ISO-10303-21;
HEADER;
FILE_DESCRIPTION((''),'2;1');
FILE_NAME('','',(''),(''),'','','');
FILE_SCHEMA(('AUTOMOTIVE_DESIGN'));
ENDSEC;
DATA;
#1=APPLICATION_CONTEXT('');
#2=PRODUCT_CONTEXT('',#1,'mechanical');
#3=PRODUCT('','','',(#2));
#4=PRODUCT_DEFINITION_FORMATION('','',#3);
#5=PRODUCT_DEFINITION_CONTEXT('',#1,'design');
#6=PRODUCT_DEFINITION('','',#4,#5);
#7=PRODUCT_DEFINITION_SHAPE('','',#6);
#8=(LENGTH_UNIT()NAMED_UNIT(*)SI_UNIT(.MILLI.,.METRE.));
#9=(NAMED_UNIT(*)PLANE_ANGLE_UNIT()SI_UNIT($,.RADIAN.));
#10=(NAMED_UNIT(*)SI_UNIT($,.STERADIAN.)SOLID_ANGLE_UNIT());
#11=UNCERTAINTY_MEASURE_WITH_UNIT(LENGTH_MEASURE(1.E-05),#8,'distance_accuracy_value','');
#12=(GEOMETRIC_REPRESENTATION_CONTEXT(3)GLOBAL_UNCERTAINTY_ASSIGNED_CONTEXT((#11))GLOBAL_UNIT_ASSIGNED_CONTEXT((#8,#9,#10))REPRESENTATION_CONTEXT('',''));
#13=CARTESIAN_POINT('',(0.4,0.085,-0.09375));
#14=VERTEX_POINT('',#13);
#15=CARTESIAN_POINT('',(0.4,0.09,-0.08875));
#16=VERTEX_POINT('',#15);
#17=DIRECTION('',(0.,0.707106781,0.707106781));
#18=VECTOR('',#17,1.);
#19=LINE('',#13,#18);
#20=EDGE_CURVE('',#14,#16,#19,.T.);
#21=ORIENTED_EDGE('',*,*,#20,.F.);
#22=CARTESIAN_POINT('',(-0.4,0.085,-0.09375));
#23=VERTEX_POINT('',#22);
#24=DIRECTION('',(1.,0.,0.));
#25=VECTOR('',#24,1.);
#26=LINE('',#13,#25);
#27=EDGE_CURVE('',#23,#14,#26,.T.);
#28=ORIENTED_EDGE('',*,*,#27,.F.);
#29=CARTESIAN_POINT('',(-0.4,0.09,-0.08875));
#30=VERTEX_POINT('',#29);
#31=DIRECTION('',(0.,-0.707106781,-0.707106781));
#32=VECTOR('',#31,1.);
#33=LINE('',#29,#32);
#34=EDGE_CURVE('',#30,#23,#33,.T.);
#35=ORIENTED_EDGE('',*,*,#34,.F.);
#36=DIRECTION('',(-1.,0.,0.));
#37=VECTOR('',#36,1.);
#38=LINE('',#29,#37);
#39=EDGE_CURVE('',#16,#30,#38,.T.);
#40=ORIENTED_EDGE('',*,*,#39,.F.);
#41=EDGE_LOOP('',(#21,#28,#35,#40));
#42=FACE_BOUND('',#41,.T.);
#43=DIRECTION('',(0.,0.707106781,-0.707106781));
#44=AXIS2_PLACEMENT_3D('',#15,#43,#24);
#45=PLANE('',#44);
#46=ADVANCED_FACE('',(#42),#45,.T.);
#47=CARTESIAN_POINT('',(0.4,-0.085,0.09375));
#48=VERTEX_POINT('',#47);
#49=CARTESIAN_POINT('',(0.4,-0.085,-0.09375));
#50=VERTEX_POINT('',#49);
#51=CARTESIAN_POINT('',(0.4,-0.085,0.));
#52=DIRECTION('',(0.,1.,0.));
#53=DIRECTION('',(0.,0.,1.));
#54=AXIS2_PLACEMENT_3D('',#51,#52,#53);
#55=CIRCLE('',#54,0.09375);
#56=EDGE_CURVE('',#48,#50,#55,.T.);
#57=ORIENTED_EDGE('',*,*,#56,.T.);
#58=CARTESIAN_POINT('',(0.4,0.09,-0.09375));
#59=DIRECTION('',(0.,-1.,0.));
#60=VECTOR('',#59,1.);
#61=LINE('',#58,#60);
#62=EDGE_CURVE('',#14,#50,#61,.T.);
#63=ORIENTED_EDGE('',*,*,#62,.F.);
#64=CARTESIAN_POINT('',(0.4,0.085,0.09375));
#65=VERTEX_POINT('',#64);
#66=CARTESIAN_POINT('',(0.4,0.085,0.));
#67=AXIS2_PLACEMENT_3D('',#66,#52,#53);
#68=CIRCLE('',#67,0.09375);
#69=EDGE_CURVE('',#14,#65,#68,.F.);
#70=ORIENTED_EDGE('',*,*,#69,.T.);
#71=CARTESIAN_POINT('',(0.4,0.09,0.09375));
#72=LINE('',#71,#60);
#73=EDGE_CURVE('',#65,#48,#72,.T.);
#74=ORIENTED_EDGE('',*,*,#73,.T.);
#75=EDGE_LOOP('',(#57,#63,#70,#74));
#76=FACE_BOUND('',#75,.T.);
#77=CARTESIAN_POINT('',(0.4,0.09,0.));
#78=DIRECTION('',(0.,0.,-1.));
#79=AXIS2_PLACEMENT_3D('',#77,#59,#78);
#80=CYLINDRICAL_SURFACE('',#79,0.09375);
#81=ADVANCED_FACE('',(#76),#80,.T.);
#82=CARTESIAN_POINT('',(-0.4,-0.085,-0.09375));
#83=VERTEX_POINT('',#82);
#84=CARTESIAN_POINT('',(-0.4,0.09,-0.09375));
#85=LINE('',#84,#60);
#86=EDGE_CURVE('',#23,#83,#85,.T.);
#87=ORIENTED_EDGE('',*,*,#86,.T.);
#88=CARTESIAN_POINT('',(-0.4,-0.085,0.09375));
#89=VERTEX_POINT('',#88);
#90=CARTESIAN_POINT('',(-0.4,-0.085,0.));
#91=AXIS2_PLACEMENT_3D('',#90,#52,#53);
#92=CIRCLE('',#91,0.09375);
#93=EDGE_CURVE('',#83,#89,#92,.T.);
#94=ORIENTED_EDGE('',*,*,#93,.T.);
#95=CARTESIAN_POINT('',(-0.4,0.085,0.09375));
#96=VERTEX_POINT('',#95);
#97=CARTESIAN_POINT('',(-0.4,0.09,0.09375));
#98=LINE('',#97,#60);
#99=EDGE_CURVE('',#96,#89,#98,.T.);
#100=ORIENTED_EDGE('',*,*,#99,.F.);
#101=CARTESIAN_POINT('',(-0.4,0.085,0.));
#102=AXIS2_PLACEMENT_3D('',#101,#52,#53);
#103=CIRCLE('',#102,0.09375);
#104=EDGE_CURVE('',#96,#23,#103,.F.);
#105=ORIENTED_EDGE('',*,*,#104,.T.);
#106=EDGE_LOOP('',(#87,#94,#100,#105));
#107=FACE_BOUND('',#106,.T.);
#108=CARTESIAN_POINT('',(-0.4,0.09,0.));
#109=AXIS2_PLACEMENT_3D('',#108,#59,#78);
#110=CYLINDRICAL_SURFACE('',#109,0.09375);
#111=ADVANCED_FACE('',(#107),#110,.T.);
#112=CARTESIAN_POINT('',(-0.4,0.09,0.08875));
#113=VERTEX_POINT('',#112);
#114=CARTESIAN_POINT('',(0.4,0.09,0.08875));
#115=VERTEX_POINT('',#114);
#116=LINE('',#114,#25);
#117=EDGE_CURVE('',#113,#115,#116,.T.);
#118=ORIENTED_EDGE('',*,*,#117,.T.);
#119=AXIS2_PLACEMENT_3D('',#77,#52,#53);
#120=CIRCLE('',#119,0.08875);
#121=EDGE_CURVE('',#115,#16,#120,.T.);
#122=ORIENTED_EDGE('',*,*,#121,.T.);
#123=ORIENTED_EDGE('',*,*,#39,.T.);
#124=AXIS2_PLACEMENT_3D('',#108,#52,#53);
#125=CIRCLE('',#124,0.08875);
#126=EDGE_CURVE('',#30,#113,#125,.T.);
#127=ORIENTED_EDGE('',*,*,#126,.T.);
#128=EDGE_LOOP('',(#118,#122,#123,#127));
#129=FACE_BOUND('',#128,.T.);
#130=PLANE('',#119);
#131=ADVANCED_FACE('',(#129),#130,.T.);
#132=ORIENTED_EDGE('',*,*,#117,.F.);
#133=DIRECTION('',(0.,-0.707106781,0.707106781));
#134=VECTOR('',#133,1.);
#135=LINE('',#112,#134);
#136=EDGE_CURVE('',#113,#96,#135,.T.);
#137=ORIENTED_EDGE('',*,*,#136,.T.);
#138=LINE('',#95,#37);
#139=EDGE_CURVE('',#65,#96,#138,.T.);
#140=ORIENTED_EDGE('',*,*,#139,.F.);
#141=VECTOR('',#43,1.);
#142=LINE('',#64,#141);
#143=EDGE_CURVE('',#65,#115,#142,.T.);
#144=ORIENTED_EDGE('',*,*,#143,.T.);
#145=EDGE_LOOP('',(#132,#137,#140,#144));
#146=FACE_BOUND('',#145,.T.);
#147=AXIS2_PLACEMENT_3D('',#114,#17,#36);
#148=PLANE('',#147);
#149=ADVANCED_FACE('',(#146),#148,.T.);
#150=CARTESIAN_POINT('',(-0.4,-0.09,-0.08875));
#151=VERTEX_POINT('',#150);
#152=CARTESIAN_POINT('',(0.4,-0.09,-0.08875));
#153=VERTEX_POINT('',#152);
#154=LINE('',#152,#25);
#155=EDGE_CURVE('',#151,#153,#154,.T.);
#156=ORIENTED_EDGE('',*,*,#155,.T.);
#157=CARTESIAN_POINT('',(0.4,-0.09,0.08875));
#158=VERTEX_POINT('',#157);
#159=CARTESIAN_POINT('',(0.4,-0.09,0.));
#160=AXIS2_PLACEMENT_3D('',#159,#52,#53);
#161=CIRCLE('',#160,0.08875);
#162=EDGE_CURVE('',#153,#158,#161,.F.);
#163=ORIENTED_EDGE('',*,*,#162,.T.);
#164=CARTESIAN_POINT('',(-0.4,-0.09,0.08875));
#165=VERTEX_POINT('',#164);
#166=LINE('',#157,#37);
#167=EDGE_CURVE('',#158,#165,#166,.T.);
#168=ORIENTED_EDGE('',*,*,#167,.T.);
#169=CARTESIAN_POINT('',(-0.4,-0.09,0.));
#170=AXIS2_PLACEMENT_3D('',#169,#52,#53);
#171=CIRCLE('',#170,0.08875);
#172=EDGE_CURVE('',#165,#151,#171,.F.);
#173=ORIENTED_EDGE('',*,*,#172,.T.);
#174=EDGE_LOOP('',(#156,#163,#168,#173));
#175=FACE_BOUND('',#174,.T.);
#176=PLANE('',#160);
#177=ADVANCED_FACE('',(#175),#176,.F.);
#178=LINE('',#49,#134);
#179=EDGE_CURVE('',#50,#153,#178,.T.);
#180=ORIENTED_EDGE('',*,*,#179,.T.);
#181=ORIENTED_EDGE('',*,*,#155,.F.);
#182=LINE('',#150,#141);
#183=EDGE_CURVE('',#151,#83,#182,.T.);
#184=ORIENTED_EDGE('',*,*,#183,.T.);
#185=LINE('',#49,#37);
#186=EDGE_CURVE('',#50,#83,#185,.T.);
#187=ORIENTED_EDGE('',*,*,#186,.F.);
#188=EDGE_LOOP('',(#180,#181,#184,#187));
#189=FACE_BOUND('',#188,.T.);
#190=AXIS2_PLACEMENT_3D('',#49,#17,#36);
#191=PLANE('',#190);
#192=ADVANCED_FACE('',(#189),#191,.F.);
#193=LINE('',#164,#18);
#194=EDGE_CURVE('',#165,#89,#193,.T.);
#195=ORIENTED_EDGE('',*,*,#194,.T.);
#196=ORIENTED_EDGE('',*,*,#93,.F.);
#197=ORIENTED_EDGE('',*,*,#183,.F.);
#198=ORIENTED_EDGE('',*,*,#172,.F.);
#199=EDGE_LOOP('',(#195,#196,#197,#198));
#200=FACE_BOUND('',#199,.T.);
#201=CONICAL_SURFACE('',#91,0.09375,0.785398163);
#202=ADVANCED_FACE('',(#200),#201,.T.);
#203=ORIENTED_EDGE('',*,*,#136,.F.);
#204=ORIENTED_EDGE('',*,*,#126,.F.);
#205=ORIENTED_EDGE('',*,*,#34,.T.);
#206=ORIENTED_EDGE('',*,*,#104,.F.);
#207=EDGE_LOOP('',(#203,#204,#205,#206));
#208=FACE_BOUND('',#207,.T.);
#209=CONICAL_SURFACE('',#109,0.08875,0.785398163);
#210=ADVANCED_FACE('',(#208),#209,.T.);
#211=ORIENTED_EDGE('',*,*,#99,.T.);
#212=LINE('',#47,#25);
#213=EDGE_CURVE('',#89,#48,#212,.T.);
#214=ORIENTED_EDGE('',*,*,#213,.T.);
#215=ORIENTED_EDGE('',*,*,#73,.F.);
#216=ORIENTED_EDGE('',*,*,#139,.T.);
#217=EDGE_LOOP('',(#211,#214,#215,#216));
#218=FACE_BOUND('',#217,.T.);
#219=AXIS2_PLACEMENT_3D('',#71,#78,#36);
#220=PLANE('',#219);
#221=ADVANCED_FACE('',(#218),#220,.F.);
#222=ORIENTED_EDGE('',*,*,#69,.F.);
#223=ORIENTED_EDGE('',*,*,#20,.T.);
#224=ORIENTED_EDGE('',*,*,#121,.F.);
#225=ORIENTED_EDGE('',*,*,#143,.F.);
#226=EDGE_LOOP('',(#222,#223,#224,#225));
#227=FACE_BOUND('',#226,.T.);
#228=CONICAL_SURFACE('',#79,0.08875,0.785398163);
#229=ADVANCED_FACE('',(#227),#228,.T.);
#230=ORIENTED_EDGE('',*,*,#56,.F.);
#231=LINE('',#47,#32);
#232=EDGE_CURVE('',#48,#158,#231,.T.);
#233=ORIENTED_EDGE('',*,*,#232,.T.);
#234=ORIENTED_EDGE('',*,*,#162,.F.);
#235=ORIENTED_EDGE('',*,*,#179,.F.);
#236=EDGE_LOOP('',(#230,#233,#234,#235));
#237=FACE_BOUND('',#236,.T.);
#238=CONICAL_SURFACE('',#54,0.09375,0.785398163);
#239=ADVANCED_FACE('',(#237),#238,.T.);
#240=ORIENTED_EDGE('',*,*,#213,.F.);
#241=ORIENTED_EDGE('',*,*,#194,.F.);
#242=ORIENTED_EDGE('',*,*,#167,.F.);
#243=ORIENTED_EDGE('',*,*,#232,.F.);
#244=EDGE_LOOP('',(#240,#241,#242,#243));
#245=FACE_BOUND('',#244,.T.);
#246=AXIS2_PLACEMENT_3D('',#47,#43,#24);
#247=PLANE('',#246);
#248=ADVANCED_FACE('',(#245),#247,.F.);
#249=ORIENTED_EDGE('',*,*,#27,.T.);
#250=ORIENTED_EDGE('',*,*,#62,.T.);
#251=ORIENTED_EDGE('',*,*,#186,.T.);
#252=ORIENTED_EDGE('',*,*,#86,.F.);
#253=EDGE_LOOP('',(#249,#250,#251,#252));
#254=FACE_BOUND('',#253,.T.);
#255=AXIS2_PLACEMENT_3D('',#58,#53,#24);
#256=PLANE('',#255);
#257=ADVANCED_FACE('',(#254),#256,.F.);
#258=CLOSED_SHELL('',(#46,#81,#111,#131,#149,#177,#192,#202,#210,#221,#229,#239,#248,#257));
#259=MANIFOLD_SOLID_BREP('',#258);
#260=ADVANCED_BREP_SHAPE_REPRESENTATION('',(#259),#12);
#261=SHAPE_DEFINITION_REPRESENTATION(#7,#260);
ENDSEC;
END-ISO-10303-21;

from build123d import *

# Parameters (mm, degrees)
BOSS_EXTRUDE1_DEPTH = 0.09
CHAMFER1_SIZE       = 0.005


with BuildPart() as part:
    # Sketch1 → Boss-Extrude1 (new body, symmetric)
    with BuildSketch(Plane(origin=(0, 0, 0), x_dir=(1, 0, 0), z_dir=(0, 1, 0))):
        with BuildLine():
            Line((0.4, -0.09375), (-0.4, -0.09375))
            ThreePointArc((-0.4, -0.09375), (-0.49375, 0), (-0.4, 0.09375))
            Line((-0.4, 0.09375), (0.4, 0.09375))
            ThreePointArc((0.4, 0.09375), (0.49375, 0), (0.4, -0.09375))
        make_face()
    extrude(amount=BOSS_EXTRUDE1_DEPTH, both=True)

    # Chamfer1
    chamfer1_edges = [part.edges().sort_by_distance(p)[0] for p in [
        (-0.49375, 0.09, 0),
        (0, 0.09, 0.09375),
        (0.49375, 0.09, 0),
        (0, -0.09, 0.09375),
        (-0.49375, -0.09, 0),
        (0, -0.09, -0.09375),
        (0.49375, -0.09, 0),
        (0, 0.09, -0.09375),
    ]]
    chamfer(chamfer1_edges, length=CHAMFER1_SIZE)


solid = part.part
